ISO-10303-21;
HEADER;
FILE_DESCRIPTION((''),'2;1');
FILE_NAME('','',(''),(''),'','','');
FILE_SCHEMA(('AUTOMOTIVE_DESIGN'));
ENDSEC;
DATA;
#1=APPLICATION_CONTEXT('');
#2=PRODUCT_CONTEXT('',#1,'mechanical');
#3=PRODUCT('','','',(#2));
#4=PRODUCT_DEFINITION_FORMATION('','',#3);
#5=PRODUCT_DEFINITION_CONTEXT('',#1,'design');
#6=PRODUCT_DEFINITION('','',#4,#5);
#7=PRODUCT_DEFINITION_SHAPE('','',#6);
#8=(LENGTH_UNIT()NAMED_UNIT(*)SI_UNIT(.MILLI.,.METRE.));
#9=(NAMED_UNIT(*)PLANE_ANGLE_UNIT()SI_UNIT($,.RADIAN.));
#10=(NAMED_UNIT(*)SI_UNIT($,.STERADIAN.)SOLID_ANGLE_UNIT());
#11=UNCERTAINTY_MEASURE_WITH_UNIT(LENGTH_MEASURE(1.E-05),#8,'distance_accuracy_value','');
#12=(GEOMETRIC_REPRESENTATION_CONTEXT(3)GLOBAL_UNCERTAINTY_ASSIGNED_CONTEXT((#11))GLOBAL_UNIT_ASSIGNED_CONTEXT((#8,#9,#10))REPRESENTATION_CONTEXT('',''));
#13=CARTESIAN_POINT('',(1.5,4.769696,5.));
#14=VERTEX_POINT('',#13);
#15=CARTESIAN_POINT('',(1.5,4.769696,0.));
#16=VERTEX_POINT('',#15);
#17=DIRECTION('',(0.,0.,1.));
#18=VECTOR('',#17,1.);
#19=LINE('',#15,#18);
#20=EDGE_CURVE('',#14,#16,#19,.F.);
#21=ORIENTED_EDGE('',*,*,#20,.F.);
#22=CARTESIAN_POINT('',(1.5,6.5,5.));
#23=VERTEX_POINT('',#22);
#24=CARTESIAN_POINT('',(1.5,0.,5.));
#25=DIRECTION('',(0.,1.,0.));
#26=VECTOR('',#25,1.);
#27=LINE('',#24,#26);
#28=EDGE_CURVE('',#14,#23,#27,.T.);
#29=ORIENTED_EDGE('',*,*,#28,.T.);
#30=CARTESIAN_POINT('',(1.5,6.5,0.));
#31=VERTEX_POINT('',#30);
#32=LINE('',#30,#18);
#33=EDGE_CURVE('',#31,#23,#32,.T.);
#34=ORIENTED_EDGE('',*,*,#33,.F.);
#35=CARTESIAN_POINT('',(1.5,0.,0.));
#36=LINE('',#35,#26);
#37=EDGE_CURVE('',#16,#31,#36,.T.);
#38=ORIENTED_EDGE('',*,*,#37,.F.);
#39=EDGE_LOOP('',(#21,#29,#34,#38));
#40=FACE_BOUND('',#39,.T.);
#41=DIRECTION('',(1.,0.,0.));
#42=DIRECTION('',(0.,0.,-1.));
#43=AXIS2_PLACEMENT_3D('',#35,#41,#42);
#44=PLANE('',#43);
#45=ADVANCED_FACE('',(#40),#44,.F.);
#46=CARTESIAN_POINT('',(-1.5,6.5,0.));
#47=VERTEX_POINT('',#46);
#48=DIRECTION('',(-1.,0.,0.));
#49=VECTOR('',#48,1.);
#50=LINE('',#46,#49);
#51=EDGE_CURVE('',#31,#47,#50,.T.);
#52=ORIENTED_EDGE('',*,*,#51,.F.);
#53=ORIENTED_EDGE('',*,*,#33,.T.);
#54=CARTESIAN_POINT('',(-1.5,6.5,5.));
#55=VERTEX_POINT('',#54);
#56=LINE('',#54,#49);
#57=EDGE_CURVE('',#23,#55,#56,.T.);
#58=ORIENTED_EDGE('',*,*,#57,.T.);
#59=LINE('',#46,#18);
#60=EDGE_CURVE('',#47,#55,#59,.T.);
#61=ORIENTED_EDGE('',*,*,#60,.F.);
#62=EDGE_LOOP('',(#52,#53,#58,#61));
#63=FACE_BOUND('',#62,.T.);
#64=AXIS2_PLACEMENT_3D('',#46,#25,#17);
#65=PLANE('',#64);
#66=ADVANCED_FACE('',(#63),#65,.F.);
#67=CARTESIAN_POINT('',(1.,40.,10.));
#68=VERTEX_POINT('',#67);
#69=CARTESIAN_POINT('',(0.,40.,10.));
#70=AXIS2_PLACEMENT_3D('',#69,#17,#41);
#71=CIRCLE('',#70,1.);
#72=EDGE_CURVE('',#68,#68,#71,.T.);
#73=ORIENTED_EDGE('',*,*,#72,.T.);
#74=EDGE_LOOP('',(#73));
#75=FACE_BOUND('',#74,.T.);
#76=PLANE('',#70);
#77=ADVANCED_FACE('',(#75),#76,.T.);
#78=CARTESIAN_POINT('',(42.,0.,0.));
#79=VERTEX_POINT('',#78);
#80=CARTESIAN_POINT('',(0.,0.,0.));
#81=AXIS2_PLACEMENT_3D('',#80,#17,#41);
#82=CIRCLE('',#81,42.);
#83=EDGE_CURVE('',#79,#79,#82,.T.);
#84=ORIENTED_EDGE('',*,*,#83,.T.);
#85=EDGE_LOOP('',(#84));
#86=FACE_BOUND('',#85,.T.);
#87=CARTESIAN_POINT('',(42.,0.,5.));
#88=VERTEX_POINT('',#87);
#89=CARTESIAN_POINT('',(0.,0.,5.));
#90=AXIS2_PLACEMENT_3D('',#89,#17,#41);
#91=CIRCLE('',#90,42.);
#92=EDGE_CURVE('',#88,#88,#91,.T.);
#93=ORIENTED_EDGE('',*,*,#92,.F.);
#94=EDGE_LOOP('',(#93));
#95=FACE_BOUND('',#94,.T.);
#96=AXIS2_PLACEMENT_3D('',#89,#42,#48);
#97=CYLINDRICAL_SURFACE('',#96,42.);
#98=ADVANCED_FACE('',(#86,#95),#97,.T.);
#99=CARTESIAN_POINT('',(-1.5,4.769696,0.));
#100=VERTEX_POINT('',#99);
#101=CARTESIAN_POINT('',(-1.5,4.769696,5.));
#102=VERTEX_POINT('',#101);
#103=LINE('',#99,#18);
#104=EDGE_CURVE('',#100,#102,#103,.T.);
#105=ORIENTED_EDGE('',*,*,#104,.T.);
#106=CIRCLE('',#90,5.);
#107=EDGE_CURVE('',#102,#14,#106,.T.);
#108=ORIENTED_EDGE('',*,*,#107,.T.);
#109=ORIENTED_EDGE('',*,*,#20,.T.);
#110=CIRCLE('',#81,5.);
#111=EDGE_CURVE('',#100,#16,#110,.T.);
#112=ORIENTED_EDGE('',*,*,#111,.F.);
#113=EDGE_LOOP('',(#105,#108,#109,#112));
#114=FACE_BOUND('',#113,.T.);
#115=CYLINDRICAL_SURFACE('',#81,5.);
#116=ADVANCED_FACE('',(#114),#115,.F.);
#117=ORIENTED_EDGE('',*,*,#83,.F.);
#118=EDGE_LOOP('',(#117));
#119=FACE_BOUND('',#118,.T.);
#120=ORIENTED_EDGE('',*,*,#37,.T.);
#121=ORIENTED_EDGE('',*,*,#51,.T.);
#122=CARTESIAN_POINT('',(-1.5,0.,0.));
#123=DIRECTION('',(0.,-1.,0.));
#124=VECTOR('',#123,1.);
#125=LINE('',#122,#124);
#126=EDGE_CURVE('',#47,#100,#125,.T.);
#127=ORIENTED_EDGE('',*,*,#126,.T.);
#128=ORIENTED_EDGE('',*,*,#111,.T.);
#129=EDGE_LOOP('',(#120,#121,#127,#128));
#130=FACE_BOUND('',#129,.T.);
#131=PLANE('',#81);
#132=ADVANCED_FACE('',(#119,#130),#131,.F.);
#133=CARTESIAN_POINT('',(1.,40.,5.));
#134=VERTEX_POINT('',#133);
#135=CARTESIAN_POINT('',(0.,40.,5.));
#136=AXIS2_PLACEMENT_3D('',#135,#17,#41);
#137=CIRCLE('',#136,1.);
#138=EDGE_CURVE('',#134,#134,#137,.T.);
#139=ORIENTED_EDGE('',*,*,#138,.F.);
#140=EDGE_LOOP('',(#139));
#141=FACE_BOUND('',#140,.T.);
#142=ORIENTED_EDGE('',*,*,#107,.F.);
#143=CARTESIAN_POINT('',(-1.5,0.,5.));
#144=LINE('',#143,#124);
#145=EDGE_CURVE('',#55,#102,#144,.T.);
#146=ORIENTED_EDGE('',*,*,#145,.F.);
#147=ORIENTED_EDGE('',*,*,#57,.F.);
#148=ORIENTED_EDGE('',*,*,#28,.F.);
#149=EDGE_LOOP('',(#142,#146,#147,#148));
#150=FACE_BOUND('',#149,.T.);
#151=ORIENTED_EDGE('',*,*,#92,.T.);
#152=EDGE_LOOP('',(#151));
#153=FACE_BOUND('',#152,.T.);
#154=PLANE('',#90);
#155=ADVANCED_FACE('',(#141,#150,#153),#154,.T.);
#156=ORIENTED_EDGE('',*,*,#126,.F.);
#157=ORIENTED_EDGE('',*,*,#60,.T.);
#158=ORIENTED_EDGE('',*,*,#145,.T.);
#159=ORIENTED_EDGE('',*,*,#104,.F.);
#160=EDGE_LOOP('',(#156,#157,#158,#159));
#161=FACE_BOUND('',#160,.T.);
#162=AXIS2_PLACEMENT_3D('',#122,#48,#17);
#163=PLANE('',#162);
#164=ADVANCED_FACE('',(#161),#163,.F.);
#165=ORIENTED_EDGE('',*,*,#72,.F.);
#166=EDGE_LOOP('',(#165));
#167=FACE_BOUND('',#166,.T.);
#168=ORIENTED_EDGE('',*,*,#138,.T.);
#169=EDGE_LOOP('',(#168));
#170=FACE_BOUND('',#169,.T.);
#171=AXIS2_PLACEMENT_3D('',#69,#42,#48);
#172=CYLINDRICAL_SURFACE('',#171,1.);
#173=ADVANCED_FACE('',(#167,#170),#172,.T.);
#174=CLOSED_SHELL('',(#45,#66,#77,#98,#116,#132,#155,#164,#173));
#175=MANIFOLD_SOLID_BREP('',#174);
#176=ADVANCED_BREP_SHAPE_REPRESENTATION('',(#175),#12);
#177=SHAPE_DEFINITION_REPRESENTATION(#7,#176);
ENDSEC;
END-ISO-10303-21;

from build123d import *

# Parameters (mm, degrees)
SKETCH_2_R          = 42
SKETCH_2_R_2        = 1
EXTRUDE_1_DEPTH     = 5
SKETCH_3_R          = 1
EXTRUDE_2_DEPTH     = 5
SKETCH_4_R          = 5
CUT_EXTRUDE_1_DEPTH = 5
SKETCH_5_W          = 3
SKETCH_5_H          = 6.5
CUT_EXTRUDE_2_DEPTH = 5


with BuildPart() as part:
    # 草图2 → 凸台-拉伸1 (new body)
    # profile 1 of 2: a face of its own
    with BuildSketch(Plane.XY):
        Circle(SKETCH_2_R)
        with Locations((0, 40)):
            Circle(SKETCH_2_R_2, mode=Mode.SUBTRACT)
    # profile 2 of 2: a face of its own
    with BuildSketch(Plane.XY):
        with Locations((0, 40)):
            Circle(SKETCH_2_R_2)
    extrude(amount=EXTRUDE_1_DEPTH)

    # 草图3 → 凸台-拉伸2 (add)
    with BuildSketch(Plane.XY.offset(5)):
        with Locations((0, 40)):
            Circle(SKETCH_3_R)
    extrude(amount=EXTRUDE_2_DEPTH)

    # 草图4 → 切除-拉伸1 (cut)
    with BuildSketch(Plane.XY.offset(5)):
        Circle(SKETCH_4_R)
    extrude(amount=-CUT_EXTRUDE_1_DEPTH, mode=Mode.SUBTRACT)

    # 草图5 → 切除-拉伸2 (cut)
    with BuildSketch(Plane.XY.offset(5)):
        with Locations((0, 3.25)):
            Rectangle(SKETCH_5_W, SKETCH_5_H)
    extrude(amount=-CUT_EXTRUDE_2_DEPTH, mode=Mode.SUBTRACT)


solid = part.part
